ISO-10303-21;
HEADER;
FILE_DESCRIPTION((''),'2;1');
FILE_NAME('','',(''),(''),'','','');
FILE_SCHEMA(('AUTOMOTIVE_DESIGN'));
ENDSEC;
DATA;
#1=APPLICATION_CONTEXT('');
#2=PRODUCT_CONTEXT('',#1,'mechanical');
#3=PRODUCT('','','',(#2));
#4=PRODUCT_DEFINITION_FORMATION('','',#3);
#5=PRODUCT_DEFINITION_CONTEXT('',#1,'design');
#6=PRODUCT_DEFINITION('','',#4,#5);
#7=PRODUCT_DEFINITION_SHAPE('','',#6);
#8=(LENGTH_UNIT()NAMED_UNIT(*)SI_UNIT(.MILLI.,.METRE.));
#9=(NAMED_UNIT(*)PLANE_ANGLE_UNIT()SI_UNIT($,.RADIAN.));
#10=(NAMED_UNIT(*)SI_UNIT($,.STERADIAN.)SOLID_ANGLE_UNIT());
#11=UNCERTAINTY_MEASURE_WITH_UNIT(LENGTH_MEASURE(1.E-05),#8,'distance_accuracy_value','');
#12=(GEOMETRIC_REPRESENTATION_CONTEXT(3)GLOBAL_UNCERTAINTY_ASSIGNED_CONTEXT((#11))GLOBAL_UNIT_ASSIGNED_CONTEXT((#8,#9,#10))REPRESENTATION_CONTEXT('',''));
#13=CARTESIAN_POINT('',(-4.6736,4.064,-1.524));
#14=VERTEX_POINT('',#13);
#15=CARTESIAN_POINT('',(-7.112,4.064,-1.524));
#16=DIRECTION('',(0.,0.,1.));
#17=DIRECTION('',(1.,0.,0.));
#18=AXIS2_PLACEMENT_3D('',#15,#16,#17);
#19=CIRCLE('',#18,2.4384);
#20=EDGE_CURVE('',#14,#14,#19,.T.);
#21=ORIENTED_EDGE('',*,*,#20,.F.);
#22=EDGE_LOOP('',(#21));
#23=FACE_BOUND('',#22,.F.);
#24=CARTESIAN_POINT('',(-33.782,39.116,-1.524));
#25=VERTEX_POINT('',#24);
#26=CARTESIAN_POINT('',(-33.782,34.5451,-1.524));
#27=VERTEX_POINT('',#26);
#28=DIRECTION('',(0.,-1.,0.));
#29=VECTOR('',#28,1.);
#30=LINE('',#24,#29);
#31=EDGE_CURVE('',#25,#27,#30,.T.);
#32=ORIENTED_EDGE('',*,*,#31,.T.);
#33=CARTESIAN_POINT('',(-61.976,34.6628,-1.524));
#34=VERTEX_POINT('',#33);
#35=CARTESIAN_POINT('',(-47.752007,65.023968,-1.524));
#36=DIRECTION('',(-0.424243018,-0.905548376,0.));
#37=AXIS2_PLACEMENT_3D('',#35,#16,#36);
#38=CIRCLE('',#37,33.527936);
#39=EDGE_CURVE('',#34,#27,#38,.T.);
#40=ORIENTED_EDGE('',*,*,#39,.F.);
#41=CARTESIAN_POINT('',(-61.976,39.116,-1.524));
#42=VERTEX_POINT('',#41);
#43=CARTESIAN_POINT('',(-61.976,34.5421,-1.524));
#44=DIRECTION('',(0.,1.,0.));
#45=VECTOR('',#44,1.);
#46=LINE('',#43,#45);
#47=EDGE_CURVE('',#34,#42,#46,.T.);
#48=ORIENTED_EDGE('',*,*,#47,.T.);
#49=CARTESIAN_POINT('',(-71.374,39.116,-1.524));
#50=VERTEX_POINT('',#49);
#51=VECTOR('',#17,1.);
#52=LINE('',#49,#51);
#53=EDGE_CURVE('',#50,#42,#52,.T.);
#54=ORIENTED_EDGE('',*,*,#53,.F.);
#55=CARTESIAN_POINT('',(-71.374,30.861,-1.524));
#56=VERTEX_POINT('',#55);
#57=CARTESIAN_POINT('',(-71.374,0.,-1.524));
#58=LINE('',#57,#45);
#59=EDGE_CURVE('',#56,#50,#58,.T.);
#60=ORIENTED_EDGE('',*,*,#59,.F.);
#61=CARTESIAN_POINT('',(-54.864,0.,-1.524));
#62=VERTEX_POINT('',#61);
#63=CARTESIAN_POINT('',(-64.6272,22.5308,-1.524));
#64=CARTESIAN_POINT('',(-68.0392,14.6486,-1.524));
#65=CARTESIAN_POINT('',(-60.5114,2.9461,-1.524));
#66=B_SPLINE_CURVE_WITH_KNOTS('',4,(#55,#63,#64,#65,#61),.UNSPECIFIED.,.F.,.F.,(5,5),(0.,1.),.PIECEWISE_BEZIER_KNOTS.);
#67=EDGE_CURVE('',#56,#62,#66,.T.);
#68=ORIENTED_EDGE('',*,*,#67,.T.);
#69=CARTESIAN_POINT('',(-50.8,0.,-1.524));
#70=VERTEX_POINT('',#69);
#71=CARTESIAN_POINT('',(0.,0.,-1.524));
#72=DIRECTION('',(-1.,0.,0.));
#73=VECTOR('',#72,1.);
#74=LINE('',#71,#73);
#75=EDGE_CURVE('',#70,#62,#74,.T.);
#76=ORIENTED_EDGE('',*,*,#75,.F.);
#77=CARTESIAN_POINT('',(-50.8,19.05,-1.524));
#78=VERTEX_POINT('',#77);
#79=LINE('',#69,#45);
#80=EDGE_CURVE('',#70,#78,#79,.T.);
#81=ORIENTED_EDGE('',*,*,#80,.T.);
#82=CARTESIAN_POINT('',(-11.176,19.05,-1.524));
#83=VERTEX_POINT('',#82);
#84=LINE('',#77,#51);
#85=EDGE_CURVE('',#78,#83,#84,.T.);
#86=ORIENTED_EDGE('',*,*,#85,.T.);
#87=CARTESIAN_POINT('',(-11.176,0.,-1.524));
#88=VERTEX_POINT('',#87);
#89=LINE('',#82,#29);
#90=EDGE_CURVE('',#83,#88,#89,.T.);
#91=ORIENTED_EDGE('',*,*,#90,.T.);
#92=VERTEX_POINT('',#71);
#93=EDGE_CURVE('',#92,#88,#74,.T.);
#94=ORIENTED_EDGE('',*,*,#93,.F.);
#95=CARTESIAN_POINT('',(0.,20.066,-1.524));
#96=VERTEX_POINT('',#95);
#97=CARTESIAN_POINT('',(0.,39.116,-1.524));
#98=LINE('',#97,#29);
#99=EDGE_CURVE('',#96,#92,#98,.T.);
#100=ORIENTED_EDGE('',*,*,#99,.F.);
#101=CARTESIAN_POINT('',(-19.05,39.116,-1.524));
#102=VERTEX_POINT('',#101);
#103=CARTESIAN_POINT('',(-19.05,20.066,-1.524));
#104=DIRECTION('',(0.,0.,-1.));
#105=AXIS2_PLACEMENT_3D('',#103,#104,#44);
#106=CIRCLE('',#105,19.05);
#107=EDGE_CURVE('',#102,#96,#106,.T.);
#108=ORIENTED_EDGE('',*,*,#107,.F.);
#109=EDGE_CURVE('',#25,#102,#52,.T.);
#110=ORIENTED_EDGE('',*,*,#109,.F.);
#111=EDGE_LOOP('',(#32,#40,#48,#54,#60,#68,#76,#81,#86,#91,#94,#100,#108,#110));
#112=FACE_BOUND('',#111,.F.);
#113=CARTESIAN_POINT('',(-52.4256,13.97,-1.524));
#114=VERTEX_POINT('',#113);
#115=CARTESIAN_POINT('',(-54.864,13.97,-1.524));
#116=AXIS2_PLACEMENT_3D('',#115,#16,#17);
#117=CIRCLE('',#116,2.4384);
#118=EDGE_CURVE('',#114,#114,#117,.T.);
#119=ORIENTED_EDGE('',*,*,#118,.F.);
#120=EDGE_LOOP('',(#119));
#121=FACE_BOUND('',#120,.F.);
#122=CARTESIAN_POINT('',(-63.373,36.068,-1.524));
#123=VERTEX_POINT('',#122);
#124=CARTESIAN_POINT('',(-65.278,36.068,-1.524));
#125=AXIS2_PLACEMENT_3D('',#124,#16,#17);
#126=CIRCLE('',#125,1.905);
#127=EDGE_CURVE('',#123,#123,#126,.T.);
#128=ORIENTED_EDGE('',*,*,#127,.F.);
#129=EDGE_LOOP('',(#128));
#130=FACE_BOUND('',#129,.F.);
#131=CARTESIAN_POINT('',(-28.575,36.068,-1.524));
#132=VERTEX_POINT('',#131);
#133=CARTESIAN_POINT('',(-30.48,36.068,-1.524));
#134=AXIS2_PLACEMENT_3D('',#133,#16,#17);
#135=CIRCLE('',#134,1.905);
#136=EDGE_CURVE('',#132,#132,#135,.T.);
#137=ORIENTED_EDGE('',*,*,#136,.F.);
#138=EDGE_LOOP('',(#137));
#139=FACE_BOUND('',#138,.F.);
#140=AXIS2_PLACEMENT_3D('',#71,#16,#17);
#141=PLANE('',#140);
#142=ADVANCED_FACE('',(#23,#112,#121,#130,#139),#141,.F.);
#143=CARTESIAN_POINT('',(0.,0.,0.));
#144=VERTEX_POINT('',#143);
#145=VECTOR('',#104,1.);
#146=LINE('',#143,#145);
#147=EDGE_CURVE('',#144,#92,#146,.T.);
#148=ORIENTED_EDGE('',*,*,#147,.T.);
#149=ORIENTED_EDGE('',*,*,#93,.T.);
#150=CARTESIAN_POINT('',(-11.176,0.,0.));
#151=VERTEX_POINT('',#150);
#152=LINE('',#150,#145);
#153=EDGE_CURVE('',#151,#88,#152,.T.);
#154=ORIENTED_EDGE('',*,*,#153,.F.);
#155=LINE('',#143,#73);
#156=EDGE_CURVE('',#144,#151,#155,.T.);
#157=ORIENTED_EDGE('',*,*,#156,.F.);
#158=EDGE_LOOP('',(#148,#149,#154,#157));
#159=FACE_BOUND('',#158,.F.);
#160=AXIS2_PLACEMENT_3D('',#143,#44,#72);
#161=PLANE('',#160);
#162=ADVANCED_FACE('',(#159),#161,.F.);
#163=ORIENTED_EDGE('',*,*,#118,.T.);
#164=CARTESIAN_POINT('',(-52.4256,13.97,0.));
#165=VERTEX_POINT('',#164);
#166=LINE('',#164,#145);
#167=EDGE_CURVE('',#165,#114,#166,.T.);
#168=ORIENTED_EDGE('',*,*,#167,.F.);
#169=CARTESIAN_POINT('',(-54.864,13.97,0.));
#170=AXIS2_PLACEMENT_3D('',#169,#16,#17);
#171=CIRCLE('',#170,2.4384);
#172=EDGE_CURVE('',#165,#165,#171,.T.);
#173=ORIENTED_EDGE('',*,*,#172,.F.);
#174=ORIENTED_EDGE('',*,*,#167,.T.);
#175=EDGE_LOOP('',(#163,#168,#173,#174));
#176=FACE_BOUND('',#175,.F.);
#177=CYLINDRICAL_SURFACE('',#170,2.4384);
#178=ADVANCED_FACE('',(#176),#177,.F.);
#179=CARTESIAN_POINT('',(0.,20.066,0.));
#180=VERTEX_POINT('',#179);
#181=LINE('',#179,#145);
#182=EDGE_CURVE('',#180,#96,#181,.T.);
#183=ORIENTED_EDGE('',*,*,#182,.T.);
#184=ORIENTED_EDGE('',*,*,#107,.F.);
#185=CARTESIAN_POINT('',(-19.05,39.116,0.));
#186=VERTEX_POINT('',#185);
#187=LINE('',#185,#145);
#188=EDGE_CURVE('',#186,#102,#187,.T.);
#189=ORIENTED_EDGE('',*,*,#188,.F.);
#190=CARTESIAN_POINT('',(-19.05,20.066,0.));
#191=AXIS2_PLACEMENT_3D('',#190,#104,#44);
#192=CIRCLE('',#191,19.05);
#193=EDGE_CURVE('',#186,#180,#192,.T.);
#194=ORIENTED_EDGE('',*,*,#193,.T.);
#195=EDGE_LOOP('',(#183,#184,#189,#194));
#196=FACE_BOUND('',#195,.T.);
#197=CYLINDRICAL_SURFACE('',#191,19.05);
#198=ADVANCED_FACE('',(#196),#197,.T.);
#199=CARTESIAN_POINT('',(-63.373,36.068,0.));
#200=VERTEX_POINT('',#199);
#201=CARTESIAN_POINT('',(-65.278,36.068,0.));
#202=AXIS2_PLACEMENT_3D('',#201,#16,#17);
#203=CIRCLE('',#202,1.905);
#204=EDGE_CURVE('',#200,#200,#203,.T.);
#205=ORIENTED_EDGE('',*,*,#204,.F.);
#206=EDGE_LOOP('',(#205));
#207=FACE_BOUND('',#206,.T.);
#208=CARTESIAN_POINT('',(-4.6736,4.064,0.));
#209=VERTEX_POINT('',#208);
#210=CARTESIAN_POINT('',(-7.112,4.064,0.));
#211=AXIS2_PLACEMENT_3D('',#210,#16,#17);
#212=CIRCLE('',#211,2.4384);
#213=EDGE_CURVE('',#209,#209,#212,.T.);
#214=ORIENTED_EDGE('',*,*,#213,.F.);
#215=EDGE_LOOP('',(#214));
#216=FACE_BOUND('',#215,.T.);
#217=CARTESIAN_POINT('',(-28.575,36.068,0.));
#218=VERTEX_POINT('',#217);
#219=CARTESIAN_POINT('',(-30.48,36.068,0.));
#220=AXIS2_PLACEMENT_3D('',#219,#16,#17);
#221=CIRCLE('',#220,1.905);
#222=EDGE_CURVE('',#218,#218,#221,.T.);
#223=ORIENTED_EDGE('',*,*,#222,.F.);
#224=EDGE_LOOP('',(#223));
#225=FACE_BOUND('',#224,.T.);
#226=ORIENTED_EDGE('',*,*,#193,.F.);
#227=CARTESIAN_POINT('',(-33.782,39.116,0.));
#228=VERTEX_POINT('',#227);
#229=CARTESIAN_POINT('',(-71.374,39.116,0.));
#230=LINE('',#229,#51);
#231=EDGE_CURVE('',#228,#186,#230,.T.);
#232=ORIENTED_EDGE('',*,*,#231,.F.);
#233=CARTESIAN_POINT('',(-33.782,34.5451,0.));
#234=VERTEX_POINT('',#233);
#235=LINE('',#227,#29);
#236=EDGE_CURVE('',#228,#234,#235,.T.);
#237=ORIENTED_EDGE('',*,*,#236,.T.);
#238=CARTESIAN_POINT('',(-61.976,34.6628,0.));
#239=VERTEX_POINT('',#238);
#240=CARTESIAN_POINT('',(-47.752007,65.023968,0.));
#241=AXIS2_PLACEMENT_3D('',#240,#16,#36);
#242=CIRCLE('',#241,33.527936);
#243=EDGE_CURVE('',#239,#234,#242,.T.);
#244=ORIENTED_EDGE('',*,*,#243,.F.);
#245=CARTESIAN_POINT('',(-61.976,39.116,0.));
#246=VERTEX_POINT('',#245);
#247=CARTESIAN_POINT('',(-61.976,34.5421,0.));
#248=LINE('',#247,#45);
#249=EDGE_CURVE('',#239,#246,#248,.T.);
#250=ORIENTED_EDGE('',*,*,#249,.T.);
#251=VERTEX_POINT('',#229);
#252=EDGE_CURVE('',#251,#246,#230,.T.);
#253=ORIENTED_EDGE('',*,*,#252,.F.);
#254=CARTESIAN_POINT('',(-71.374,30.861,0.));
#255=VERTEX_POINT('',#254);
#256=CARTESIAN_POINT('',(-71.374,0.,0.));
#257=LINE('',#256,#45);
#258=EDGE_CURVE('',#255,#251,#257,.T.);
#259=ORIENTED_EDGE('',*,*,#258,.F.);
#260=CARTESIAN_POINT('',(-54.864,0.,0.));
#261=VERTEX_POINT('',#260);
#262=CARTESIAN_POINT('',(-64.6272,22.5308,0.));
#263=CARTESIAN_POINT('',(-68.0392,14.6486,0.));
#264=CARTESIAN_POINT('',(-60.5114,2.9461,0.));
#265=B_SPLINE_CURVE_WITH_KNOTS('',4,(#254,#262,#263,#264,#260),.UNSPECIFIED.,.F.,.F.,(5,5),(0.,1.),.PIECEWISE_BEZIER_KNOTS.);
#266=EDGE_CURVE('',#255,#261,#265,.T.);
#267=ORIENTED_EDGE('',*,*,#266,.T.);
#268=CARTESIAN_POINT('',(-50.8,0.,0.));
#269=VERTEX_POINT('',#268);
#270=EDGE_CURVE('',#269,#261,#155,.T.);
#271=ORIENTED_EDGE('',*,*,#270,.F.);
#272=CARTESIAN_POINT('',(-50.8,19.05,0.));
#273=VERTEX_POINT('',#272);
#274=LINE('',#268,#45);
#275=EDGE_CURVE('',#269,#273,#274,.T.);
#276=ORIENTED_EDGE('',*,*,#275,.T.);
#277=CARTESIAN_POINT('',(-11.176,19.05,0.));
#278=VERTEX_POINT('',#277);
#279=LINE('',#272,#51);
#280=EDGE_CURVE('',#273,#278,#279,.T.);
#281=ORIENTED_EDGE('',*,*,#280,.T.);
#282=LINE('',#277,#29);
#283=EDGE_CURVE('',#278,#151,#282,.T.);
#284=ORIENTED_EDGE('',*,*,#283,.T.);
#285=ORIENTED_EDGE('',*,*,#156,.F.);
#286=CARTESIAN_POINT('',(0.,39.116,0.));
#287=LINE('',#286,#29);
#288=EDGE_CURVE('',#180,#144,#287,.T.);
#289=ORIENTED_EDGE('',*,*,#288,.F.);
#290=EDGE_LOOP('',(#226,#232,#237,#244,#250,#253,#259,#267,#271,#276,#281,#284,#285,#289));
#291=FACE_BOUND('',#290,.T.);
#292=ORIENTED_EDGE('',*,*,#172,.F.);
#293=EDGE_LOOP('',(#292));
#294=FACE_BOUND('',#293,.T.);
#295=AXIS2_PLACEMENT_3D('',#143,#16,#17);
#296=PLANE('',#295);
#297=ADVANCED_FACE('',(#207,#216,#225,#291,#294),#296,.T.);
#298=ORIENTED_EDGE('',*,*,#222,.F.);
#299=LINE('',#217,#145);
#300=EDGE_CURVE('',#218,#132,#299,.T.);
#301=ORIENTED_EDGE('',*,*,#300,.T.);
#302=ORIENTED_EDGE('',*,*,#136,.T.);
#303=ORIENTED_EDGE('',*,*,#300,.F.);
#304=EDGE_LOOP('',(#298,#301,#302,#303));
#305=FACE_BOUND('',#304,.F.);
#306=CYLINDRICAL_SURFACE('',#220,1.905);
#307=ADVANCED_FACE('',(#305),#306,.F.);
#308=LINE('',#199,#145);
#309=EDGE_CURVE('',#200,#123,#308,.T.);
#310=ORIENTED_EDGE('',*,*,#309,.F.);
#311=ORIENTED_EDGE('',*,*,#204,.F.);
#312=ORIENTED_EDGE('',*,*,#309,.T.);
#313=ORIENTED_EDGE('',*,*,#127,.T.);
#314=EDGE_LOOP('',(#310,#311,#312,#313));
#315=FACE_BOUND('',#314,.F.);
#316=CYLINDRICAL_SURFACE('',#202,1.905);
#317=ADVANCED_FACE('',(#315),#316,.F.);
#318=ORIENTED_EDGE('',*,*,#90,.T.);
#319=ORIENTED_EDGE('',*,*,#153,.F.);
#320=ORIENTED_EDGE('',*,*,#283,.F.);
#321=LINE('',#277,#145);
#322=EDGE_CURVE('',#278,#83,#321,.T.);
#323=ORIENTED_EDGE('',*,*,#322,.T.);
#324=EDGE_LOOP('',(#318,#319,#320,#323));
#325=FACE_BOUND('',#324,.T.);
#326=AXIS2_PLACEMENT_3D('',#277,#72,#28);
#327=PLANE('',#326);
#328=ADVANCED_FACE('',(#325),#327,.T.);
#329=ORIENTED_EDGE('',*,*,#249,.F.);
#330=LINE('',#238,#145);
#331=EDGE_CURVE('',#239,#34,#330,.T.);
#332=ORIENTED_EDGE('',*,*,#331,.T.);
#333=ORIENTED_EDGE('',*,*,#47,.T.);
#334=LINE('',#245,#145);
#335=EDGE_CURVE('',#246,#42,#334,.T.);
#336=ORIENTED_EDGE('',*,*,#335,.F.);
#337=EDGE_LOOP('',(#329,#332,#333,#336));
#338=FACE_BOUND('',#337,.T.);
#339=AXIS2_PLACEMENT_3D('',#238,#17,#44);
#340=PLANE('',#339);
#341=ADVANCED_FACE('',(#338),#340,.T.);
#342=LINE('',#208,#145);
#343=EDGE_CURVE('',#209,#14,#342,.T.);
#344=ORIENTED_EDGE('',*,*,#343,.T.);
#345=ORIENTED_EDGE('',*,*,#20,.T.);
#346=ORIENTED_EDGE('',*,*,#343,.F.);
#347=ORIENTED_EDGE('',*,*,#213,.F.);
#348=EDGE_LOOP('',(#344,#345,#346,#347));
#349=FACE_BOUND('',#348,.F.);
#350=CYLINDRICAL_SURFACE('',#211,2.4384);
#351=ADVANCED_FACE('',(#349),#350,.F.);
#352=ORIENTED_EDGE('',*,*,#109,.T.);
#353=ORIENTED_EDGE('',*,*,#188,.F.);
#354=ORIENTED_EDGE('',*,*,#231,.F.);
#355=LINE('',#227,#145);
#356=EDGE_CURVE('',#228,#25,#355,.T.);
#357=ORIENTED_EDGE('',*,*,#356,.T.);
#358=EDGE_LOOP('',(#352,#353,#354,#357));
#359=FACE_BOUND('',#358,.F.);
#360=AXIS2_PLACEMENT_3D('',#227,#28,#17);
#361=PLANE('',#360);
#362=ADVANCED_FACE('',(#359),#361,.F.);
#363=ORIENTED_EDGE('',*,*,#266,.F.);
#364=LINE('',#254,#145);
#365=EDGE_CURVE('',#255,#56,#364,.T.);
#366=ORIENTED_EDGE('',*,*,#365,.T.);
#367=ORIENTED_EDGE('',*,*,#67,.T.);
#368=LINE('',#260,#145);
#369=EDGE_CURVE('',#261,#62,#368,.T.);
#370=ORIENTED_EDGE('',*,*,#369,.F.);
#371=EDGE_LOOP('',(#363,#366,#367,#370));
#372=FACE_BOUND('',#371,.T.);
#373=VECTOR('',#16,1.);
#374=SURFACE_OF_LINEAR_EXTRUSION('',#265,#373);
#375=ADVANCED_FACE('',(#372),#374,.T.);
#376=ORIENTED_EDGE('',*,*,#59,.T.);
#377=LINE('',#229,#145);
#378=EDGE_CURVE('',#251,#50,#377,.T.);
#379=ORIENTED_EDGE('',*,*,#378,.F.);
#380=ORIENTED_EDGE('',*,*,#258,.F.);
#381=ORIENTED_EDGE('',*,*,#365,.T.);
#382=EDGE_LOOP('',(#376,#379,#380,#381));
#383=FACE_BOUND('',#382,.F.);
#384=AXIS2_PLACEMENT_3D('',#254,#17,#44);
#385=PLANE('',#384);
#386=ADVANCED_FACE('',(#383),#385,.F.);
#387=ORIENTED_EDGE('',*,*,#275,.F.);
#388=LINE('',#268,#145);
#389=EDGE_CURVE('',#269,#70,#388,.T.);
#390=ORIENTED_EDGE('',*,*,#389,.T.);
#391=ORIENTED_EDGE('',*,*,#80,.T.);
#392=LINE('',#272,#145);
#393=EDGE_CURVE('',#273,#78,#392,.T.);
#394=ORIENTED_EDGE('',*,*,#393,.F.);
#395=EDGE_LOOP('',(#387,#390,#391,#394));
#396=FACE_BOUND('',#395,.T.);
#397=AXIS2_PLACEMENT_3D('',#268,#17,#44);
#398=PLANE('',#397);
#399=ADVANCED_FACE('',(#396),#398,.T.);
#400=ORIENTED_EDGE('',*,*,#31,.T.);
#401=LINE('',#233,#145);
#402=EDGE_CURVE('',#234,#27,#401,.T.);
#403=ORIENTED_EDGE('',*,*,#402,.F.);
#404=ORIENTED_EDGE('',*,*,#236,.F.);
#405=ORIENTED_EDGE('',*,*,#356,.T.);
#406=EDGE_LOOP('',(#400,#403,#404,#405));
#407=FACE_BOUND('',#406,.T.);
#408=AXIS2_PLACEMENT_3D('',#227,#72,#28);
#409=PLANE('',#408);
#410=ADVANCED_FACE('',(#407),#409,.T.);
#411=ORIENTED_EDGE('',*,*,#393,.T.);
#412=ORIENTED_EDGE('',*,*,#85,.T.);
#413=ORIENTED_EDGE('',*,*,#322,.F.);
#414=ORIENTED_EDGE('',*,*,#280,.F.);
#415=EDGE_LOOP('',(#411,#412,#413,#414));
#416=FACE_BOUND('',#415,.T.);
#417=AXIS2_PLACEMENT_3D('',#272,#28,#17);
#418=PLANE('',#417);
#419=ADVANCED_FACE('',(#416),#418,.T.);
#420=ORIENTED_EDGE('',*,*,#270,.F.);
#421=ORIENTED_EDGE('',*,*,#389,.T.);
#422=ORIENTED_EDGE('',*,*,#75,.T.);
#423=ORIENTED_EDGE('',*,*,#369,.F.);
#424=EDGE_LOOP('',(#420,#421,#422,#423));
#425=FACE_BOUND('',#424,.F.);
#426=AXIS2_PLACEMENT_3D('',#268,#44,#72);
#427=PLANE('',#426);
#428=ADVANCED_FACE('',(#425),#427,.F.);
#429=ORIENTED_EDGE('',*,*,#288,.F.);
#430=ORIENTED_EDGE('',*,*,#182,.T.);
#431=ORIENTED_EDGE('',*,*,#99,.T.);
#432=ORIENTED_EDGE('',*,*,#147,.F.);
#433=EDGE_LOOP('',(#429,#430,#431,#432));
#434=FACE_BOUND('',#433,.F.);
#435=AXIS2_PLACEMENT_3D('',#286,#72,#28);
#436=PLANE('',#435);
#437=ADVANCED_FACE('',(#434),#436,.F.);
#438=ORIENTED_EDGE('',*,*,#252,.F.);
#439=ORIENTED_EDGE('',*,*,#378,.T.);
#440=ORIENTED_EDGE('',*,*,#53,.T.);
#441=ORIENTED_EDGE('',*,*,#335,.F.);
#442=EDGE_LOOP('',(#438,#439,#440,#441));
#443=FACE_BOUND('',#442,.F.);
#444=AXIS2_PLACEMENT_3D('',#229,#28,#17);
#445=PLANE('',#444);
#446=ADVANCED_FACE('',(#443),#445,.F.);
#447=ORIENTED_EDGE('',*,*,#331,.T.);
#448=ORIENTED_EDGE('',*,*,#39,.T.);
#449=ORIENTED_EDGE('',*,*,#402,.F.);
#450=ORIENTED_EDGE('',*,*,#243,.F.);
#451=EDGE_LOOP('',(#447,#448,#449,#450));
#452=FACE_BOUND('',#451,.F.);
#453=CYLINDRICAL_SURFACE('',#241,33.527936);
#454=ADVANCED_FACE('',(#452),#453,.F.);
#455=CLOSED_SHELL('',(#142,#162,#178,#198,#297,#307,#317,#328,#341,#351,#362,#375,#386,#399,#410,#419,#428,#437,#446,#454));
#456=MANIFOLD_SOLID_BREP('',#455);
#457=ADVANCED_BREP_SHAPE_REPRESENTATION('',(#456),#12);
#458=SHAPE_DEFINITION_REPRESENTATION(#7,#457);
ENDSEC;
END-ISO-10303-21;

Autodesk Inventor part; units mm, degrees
ref_plane "YZ Plane" through (0, 0, 0) normal (1, 0, 0) x (0, 1, 0)
ref_plane "XZ Plane" through (0, 0, 0) normal (0, 1, 0) x (-1, 0, 0)
ref_plane "XY Plane" through (0, 0, 0) normal (0, 0, 1) x (1, 0, 0)
sketch "Sketch1" plane through (0, 0, 0) normal (0, 0, 1) x (1, 0, 0)
  line L0 (-71.374, 39.116) -> (0, 39.116)
  line L1 (0, 39.116) -> (0, 0)
  line L2 (0, 0) -> (-54.864, 0)
  line L3 (-71.374, 0) -> (-71.374, 39.116)
  line L4 (-50.8, 19.05) -> (-11.176, 19.05)
  line L5 (-11.176, 19.05) -> (-11.176, 0)
  line L6 (-11.176, 0) -> (-50.8, 0)
  line L7 (-50.8, 0) -> (-50.8, 19.05)
  line L8 (-61.976, 39.116) -> (-33.782, 39.116)
  line L9 (-33.782, 39.116) -> (-33.782, 34.5451)
  line L10 (-61.976, 34.5421) -> (-61.976, 39.116)
  arc A0 (-61.976, 34.6628) -> (-33.782, 34.5451) centre (-47.752, 65.024) ccw
  circle A1 centre (-7.112, 4.064) radius 2.4384
  circle A2 centre (-54.864, 13.97) radius 2.4384
  circle A3 centre (-65.278, 36.068) radius 1.905
  circle A4 centre (-30.48, 36.068) radius 1.905
  spline S0 degree 4 poles (-71.374, 30.861) (-64.6272, 22.5308) (-68.0392, 14.6486) (-60.5114, 2.9461) (-54.864, 0) knots 0 0 0 0 0 1 1 1 1 1
  line L11 (-54.864, 0) -> (-71.374, 0)
  point P0 (-64.4411, 13.1063)
  point P1 (-59.9147, 4.6412)
  dimension "d0" = 71.374
  dimension "d1" = 39.116
  dimension "d2" = 11.176
  dimension "d3" = 50.8
  dimension "d4" = 19.05
  dimension "d5" = 65.024
  dimension "d6" = 47.752
  dimension "d7" = 33.782
  dimension "d8" = 61.976
  dimension "d9" = 33.528
  dimension "d10" = 4.8768
  dimension "d11" = 4.8768
  dimension "d12" = 7.112
  dimension "d13" = 4.064
  dimension "d14" = 54.864
  dimension "d15" = 13.97
  dimension "d16" = 3.81
  dimension "d17" = 3.81
  dimension "d18" = 36.068
  dimension "d19" = 30.48
  dimension "d20" = 65.278
  dimension "d21" = 8.255
extrude "Extrusion1" add sketch "Sketch1" against normal blind 1.524 contours L0 L10 A0 L9 L1 L2 L5 L4 L7 S0 L3
fillet "Fillet1" radius 19.05 1 edges at (0, 39.116, -0.762)
equation "\"d11\" = d10"
equation "\"d17\" = d16"
properties part number "Dewalt Drill Drive Servo Shift Mount Plate"
